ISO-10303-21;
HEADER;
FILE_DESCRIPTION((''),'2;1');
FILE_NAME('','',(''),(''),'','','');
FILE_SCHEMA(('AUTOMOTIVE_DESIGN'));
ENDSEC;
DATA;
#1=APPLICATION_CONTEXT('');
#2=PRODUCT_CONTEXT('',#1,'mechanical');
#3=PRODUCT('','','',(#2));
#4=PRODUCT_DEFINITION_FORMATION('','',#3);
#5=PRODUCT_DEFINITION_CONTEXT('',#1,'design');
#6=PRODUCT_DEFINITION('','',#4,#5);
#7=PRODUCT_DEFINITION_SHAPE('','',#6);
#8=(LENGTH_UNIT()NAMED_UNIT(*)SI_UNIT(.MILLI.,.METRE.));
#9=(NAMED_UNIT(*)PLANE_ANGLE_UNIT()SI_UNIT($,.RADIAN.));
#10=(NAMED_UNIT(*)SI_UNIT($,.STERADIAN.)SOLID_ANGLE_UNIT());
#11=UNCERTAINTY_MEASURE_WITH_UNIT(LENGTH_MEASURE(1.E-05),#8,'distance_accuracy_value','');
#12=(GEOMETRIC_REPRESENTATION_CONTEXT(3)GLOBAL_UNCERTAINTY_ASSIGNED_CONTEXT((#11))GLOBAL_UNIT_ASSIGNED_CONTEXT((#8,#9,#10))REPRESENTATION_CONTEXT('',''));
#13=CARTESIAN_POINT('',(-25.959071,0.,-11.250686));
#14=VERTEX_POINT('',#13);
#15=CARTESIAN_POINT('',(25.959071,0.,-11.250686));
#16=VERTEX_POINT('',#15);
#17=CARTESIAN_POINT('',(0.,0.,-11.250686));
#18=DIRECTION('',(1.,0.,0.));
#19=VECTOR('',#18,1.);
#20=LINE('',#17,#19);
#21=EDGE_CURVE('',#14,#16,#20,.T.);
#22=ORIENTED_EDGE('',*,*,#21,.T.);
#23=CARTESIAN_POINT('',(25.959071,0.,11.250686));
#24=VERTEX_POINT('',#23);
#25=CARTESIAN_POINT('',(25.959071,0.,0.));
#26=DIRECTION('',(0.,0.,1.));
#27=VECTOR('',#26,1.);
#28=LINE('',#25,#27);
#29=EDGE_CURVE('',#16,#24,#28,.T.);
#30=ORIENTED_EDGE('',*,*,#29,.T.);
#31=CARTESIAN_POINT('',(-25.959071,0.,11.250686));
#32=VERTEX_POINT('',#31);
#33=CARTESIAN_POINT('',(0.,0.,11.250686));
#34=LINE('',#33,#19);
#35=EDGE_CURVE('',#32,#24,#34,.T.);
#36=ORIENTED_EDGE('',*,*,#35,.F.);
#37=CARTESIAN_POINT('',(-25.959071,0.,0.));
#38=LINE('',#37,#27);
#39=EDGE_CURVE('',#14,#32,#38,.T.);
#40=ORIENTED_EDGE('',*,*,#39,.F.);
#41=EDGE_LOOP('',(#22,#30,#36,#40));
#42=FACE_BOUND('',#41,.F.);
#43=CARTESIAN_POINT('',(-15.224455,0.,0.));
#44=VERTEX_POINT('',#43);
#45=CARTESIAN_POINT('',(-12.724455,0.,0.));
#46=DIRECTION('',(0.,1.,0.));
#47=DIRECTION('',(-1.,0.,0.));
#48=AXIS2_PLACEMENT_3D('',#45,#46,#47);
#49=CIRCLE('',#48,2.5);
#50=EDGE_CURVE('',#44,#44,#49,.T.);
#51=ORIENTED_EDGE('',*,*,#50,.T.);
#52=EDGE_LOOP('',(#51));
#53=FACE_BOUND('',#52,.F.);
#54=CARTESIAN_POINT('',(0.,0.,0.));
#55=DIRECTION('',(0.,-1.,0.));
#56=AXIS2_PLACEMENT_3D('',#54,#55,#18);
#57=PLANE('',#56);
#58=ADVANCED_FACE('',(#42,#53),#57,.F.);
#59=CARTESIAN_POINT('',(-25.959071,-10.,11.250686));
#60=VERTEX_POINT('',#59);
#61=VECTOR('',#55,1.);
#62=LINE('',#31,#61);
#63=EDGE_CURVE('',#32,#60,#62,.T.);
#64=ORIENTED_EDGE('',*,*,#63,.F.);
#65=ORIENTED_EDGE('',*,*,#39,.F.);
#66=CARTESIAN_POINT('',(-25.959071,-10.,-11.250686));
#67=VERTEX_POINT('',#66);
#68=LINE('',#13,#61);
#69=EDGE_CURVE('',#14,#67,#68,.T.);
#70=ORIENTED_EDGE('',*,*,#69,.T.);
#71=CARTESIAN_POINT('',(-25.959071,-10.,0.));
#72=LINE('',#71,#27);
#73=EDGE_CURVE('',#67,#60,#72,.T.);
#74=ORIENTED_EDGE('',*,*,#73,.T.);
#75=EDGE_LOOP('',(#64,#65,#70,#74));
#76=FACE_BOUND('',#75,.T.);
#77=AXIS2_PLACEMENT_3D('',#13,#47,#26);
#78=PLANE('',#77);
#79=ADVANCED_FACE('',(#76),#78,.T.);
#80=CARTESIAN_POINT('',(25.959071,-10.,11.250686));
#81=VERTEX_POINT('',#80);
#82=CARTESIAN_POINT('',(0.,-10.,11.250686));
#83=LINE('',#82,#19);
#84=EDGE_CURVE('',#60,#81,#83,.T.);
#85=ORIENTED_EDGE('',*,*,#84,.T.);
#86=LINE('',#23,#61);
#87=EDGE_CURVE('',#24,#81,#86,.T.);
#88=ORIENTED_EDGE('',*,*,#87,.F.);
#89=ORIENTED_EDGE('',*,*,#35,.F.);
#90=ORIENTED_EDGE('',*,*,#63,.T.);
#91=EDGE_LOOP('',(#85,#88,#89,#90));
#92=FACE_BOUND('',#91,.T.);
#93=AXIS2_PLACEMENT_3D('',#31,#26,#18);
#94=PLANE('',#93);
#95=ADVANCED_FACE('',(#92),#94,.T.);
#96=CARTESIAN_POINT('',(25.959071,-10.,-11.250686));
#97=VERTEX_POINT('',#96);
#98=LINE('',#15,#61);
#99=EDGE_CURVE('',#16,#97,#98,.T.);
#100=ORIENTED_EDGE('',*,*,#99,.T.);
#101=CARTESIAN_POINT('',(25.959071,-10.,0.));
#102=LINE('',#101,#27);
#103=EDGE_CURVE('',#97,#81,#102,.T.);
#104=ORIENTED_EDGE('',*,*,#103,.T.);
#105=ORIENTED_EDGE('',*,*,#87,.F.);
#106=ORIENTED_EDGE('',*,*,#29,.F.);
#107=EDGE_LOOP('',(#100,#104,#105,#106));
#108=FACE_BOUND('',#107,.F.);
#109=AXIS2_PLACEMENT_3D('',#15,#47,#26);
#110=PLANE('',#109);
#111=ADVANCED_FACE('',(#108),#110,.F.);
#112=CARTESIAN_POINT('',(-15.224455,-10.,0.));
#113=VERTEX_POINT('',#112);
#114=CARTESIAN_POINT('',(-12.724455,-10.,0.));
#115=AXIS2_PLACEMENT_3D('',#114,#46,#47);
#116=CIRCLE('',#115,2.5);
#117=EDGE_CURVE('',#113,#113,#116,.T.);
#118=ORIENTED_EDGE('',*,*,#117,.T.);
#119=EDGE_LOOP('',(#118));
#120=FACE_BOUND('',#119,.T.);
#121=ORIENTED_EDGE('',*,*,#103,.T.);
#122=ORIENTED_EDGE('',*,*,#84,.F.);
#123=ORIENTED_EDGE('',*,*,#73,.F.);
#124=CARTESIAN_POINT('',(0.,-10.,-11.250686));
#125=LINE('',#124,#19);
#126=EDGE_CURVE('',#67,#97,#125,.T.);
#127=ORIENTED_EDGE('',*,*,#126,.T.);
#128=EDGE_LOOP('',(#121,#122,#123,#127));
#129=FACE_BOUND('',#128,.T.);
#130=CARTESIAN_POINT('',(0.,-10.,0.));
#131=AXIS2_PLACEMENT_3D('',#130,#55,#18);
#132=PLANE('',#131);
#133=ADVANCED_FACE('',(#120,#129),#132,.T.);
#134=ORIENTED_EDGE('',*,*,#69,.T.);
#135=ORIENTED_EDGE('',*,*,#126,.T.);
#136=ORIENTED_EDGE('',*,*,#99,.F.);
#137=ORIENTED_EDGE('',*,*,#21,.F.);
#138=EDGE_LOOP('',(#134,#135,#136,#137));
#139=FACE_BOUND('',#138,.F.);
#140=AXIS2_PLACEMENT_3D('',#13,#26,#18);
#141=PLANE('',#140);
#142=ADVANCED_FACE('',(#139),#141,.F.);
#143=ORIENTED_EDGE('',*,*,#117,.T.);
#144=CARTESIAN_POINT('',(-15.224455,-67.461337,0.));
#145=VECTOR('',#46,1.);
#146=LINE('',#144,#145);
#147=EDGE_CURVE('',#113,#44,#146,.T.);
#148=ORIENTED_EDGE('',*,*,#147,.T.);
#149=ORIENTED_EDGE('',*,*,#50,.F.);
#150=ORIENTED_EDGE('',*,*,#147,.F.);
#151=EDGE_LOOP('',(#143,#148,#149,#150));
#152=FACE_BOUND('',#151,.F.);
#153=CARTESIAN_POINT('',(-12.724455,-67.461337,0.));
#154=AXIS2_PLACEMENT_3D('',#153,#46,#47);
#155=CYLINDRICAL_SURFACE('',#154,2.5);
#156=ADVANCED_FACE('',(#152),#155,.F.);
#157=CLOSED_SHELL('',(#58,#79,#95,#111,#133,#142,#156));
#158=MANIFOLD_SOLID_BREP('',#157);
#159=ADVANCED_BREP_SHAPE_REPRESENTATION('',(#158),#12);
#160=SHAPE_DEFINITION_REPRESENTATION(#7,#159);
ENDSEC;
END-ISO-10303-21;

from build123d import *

# Parameters (mm, degrees)
F0_W     = 51.918142
F0_H     = 22.501372
F1_DEPTH = 10
F3_D     = 5


with BuildPart() as f1:
    # F0 (on Front) → F1 (new body)
    with BuildSketch(Plane.XZ):
        Rectangle(F0_W, F0_H)
    extrude(amount=F1_DEPTH)

    # F3 (through all)
    with Locations(Plane.XZ.offset(10)):
        with Locations((-12.724455, 0)):
            Hole(F3_D / 2)


solid = f1.part
